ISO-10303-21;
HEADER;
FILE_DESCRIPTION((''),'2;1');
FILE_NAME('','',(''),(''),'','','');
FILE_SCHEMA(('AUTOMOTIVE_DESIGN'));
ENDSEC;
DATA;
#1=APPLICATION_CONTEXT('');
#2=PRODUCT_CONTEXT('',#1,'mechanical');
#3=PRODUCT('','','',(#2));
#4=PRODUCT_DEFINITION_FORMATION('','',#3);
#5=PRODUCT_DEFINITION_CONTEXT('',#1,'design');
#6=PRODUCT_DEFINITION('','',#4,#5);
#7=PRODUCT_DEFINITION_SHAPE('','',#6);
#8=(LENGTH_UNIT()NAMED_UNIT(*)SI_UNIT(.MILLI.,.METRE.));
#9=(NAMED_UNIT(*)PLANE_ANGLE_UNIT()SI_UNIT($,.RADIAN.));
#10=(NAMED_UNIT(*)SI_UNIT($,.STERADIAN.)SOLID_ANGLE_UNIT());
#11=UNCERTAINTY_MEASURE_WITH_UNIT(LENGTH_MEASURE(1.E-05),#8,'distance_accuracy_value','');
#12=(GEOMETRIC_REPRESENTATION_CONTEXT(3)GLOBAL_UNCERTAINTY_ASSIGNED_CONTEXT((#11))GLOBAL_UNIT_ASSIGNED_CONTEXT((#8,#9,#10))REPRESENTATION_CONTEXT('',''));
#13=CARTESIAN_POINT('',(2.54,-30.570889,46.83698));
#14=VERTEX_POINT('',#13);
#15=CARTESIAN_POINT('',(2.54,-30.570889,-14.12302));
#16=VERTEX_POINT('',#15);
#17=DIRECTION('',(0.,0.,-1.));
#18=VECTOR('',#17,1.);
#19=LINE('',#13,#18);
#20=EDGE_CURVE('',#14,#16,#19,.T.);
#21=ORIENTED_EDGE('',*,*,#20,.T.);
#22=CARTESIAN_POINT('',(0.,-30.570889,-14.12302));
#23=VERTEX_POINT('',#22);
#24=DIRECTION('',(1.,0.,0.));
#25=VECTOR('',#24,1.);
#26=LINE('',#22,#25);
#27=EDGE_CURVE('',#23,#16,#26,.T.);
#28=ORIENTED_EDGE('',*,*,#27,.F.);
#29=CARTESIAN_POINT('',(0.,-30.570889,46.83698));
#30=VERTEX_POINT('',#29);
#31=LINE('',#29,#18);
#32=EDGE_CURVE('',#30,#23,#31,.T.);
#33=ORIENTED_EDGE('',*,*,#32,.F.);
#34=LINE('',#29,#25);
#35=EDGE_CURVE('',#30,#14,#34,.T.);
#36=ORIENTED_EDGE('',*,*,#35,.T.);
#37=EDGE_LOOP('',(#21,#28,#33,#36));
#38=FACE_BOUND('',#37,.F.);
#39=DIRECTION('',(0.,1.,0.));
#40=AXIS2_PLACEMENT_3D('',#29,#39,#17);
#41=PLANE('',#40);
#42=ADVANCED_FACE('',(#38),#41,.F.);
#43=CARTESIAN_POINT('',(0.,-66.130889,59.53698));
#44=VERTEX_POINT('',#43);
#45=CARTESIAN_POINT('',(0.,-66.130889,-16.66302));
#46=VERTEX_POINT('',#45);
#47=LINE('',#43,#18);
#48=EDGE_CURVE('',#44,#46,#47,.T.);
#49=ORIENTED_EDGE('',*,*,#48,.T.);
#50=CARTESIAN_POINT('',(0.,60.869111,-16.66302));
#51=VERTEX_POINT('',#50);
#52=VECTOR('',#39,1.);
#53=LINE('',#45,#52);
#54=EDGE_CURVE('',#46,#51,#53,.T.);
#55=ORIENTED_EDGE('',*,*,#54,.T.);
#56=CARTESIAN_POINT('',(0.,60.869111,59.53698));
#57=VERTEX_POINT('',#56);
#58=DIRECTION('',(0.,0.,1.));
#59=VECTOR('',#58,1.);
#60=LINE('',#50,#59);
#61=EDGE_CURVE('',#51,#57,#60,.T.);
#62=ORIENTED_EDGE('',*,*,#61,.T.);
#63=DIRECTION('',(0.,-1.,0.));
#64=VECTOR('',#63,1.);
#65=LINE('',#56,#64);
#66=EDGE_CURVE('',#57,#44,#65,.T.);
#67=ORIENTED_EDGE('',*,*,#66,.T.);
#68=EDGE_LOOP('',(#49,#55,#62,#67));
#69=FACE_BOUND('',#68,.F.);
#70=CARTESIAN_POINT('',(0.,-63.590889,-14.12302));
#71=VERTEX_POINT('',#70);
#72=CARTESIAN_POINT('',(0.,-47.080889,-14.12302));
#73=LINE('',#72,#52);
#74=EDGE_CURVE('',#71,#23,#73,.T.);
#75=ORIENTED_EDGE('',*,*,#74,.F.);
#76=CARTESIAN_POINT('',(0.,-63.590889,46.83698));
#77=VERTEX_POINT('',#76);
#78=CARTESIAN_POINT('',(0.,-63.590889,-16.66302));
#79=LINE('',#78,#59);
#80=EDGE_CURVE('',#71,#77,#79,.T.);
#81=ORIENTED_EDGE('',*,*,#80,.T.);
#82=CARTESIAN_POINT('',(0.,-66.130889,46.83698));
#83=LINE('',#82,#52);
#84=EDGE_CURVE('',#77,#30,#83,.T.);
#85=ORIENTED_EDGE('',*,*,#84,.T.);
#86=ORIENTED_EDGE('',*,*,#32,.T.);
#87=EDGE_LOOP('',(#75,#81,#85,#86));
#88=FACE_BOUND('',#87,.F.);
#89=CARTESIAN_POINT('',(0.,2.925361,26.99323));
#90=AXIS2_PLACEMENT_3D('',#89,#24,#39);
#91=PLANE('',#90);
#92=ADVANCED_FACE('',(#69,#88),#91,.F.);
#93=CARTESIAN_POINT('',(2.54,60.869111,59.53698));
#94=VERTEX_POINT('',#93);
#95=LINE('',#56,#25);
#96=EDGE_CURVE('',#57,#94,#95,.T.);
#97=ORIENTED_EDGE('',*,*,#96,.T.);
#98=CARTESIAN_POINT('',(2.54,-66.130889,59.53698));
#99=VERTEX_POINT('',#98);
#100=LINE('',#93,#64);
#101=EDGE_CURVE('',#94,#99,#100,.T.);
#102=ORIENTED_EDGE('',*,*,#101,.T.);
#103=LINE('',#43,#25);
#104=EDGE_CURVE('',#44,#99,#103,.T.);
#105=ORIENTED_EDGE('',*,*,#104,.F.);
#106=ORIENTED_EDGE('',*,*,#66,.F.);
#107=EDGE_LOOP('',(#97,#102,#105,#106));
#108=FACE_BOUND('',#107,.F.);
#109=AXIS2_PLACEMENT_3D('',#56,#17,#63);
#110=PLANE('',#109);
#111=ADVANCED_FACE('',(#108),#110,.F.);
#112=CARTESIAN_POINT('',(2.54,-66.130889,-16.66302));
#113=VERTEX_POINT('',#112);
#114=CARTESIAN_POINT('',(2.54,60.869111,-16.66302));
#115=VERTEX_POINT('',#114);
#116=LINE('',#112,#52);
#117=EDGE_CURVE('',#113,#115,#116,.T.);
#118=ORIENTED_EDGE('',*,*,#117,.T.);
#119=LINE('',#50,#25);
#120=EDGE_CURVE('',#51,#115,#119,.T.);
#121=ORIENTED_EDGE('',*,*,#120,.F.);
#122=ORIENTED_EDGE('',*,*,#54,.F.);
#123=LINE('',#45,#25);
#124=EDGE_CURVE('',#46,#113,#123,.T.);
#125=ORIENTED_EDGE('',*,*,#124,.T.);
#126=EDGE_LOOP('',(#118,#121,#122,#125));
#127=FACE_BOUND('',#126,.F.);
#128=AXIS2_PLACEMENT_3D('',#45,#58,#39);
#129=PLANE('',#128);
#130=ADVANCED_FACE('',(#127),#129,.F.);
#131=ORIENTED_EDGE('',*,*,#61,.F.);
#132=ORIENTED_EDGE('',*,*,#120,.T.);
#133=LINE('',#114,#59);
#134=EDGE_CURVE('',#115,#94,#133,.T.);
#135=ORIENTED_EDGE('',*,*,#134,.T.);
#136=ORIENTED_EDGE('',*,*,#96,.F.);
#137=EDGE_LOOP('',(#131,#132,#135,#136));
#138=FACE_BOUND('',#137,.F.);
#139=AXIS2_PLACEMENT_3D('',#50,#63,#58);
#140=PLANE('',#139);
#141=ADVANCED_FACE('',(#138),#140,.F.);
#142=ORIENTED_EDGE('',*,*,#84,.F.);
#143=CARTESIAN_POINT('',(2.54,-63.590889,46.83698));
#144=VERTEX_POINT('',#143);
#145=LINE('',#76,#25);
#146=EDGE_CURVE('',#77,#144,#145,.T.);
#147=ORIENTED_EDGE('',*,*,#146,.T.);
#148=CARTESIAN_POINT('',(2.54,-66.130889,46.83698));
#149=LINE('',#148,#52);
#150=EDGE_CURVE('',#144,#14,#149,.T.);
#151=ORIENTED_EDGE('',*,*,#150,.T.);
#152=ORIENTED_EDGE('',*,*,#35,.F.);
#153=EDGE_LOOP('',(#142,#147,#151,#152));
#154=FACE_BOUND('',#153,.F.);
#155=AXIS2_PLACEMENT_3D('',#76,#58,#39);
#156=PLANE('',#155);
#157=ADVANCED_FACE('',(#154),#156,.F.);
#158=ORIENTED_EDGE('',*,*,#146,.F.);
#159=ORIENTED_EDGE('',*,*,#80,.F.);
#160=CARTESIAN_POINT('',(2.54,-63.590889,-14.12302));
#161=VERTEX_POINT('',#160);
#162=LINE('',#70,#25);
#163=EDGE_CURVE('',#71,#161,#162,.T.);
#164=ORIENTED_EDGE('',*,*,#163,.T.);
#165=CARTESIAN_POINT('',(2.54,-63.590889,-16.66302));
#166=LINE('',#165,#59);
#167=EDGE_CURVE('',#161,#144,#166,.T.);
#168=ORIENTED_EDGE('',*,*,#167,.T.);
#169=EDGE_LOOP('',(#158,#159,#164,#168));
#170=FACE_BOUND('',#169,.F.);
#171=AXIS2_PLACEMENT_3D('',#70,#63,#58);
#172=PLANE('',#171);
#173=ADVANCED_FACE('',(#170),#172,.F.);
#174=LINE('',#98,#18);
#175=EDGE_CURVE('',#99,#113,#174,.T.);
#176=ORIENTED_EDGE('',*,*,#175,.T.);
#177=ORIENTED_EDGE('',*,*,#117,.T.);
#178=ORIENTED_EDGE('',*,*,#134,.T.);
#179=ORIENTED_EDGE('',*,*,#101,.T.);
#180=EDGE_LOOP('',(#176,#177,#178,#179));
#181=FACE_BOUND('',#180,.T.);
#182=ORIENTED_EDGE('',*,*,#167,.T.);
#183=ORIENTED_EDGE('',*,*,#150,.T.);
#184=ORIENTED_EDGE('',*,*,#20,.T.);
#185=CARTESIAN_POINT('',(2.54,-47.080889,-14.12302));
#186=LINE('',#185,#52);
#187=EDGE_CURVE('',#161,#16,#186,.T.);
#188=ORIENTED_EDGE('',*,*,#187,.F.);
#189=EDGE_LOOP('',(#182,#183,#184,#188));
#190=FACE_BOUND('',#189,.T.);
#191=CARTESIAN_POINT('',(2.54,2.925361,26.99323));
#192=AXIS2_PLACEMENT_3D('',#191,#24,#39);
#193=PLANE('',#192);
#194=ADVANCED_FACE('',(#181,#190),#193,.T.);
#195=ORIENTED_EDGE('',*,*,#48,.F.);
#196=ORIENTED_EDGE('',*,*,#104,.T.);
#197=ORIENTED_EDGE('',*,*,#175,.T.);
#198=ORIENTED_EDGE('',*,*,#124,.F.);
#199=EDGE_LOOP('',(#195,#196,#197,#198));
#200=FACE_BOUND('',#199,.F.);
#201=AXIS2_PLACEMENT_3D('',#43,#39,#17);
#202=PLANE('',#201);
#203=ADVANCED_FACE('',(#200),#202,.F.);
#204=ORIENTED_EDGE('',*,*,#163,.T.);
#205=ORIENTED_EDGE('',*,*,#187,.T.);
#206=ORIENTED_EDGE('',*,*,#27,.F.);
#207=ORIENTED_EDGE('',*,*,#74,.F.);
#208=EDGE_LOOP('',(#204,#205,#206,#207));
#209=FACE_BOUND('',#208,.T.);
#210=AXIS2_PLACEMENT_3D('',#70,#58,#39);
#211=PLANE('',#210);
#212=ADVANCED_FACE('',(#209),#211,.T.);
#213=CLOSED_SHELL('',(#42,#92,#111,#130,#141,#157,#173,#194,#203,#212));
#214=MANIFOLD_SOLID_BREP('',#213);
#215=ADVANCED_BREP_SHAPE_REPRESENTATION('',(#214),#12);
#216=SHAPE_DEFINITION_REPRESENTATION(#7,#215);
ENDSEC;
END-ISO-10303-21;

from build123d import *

# Parameters (mm, degrees)
F0_W     = 33.02
F0_H     = 2.54
F1_DEPTH = 2.54


with BuildPart() as f1:
    # F0 (on Right) → F1 (new body)
    with BuildSketch(Plane.YZ):
        Polygon((-66.130889, 59.53698), (-66.130889, 46.83698), (-63.590889, 46.83698), (-30.570889, 46.83698), (-30.570889, -14.12302), (-30.570889, -16.66302), (60.869111, -16.66302), (60.869111, 59.53698), align=None)
        Polygon((-66.130889, 46.83698), (-66.130889, -16.66302), (-63.590889, -16.66302), (-63.590889, -14.12302), (-63.590889, 46.83698), align=None)
        with Locations((-47.080889, -15.39302)):
            Rectangle(F0_W, F0_H)
    extrude(amount=F1_DEPTH)


solid = f1.part
